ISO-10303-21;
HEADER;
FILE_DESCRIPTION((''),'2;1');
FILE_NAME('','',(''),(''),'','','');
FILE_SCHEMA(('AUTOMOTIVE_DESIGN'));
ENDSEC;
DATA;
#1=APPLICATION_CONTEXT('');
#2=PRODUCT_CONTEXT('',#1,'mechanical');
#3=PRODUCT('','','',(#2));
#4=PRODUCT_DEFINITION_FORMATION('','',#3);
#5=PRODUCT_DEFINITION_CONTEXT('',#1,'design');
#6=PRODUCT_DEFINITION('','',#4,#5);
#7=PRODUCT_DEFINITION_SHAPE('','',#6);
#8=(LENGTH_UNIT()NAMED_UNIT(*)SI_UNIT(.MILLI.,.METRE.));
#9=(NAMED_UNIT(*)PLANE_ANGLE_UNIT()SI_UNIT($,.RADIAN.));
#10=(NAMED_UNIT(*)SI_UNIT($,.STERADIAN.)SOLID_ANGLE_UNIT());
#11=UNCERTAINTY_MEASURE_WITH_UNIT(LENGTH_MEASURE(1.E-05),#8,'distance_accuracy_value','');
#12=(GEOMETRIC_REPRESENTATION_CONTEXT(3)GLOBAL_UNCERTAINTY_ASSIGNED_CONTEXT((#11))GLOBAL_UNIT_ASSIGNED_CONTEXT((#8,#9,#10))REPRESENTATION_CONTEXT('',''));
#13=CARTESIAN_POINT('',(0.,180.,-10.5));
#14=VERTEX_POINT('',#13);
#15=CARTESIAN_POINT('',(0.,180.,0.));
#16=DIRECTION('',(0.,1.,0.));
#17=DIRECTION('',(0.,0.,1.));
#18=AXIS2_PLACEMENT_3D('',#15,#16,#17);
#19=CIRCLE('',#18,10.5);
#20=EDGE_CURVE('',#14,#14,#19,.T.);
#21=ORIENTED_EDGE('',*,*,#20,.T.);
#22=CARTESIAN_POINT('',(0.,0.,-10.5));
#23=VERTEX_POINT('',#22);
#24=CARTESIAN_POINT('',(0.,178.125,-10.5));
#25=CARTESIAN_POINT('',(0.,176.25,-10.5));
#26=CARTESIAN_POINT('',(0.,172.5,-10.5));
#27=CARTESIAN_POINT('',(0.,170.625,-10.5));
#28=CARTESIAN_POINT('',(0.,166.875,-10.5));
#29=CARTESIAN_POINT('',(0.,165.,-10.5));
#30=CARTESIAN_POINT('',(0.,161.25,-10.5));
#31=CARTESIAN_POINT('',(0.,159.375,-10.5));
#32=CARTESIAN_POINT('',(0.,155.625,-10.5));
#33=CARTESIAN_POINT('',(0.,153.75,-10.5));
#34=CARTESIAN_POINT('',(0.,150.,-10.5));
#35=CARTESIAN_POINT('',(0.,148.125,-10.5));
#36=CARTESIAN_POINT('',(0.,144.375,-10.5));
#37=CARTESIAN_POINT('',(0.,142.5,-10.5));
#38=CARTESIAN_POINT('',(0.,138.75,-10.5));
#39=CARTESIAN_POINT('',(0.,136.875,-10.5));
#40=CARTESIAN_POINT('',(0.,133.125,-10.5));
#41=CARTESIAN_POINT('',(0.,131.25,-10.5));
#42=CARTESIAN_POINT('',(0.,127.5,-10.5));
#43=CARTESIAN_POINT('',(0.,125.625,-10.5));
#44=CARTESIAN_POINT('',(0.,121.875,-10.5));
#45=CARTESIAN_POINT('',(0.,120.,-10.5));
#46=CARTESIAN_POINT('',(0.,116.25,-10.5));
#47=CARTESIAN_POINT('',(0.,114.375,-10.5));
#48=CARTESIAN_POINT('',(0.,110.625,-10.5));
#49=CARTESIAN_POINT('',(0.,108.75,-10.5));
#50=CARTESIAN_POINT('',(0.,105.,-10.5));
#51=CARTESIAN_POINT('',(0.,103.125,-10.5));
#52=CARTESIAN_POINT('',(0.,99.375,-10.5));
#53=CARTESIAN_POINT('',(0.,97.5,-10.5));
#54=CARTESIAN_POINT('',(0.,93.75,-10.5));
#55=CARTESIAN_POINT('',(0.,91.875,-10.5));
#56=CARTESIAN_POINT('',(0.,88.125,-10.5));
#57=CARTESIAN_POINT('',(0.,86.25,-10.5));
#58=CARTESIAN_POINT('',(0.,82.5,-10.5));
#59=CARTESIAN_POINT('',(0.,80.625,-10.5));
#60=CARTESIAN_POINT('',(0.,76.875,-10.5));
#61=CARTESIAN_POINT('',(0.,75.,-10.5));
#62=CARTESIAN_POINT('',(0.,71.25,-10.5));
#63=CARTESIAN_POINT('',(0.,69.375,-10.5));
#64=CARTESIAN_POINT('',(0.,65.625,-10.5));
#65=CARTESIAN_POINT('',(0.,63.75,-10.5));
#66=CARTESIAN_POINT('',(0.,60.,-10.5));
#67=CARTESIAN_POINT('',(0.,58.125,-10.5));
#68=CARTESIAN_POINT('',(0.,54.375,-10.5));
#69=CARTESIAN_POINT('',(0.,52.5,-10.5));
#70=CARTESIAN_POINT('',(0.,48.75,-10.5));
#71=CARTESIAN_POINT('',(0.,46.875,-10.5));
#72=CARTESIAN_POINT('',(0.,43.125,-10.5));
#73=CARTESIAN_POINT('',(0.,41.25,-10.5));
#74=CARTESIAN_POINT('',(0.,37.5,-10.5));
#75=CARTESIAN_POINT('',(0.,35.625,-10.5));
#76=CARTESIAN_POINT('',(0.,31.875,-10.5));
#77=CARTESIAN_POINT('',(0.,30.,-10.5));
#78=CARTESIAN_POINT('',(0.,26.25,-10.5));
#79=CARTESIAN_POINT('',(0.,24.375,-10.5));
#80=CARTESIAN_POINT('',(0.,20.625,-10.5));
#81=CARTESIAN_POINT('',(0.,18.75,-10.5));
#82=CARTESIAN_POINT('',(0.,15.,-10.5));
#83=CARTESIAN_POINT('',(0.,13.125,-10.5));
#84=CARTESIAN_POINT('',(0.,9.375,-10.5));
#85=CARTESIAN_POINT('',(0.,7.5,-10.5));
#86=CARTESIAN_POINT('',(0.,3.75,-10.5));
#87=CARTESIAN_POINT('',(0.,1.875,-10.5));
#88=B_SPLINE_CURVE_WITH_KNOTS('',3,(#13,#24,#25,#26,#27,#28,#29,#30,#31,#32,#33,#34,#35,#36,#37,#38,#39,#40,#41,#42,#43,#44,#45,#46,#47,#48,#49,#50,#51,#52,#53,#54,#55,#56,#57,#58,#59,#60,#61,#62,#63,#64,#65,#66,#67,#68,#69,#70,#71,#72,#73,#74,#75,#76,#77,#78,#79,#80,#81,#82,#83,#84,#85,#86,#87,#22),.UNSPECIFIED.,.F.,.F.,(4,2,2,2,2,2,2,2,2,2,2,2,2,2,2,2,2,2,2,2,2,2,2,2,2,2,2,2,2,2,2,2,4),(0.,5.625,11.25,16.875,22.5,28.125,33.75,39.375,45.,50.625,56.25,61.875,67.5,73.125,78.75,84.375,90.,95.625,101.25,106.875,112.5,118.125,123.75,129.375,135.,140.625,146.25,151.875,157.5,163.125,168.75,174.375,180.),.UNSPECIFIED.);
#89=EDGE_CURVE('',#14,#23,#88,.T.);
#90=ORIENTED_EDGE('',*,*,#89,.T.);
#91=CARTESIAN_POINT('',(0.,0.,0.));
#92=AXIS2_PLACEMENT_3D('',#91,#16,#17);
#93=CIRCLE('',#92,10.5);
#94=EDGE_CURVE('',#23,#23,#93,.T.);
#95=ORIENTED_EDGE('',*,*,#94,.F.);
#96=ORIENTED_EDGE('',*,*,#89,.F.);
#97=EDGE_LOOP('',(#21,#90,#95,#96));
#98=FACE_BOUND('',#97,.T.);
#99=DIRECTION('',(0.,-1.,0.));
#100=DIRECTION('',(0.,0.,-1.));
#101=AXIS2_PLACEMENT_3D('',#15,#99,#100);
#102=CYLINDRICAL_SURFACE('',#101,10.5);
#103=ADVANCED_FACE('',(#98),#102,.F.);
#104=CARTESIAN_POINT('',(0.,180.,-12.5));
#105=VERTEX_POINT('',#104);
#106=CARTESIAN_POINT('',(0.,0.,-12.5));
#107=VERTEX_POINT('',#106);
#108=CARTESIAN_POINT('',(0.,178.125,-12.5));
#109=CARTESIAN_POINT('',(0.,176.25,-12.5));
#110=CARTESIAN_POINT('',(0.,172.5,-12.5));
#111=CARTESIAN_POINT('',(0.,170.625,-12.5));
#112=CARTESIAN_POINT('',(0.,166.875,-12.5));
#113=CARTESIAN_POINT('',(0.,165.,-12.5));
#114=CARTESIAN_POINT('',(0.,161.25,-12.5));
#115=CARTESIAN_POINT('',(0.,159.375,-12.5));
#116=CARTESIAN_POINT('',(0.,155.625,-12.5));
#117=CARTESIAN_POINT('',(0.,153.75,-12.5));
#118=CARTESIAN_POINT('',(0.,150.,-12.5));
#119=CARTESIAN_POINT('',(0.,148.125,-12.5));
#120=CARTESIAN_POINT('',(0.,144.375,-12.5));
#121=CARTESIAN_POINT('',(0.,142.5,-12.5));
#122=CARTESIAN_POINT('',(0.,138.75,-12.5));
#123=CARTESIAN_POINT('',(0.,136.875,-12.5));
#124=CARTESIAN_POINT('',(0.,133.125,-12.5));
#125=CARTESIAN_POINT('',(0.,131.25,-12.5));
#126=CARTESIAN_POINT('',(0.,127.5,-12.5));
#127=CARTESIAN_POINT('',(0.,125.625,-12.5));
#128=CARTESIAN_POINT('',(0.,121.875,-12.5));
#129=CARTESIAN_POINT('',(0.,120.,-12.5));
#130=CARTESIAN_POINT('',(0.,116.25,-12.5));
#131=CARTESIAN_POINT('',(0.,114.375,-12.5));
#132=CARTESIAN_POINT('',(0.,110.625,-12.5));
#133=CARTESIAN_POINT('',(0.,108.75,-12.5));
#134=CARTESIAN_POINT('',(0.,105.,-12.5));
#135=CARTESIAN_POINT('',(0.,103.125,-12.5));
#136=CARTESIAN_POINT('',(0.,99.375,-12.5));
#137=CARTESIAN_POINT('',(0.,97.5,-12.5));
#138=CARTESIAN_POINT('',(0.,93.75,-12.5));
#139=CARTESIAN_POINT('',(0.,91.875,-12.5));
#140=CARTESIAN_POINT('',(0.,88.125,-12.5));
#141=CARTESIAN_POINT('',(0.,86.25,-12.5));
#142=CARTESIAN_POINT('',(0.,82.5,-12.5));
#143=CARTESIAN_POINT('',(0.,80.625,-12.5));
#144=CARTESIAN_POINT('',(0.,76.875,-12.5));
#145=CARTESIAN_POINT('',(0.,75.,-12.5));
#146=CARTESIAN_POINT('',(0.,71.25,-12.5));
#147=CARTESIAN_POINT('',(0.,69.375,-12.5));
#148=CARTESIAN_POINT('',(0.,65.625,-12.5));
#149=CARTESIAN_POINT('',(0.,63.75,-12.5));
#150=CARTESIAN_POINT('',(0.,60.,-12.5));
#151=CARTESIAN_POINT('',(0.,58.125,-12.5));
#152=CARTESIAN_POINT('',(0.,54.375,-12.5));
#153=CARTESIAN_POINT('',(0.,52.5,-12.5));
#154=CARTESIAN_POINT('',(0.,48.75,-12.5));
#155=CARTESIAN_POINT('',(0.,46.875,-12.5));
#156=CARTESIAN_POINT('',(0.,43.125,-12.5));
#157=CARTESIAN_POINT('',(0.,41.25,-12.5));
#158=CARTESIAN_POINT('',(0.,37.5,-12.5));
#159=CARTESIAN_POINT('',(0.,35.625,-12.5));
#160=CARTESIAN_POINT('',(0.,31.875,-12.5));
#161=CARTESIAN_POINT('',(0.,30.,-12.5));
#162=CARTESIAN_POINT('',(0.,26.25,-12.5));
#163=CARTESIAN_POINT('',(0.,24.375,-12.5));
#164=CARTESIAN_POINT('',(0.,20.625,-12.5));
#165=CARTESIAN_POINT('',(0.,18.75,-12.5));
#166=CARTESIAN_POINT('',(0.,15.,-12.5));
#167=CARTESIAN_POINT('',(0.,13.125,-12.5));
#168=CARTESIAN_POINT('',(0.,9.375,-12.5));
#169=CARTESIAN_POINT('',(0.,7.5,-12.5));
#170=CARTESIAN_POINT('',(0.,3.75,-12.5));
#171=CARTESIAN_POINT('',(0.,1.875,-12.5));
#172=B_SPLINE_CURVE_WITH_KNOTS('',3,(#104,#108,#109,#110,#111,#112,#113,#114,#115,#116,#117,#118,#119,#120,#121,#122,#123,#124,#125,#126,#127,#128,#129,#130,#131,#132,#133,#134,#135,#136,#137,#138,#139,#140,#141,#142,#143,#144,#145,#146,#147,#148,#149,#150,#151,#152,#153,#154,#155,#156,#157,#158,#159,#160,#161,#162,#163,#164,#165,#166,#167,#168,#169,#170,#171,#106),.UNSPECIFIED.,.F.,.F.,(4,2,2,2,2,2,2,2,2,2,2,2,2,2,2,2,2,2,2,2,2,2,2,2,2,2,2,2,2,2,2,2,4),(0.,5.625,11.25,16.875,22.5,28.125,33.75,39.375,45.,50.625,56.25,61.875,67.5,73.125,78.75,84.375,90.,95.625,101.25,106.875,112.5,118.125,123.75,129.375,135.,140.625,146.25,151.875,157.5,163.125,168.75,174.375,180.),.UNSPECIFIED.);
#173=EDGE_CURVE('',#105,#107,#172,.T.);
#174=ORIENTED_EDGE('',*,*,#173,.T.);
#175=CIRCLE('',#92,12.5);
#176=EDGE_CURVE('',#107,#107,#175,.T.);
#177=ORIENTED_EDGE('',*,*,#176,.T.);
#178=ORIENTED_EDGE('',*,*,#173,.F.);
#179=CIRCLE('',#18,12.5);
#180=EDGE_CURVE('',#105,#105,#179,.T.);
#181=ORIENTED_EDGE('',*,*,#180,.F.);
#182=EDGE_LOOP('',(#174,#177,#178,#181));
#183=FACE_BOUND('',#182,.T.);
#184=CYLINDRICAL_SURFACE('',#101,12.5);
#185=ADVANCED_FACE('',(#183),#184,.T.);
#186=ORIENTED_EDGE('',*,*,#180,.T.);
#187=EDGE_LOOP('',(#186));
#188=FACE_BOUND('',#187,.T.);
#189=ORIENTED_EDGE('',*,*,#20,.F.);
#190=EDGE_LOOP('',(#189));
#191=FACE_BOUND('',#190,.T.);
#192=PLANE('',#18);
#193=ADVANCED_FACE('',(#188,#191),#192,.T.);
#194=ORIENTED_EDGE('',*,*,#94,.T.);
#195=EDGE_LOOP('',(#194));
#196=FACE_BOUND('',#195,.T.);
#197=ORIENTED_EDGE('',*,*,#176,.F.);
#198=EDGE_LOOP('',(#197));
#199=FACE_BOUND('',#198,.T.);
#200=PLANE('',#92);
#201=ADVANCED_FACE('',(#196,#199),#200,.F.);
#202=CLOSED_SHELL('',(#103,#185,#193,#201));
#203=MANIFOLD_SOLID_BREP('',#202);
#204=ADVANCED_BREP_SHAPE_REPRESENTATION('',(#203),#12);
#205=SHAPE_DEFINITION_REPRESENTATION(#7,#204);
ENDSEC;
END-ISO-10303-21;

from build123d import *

# Parameters (mm, degrees)
SKETCH_1_R      = 12.5
SKETCH_1_R_2    = 10.5
EXTRUDE_1_DEPTH = 180


with BuildPart() as part:
    # 草图1 → 凸台-拉伸1 (new body)
    with BuildSketch(Plane(origin=(0, 0, 0), x_dir=(1, 0, 0), z_dir=(0, 1, 0))):
        with Locations(Location((0, 0, 0), (0, 0, 90))):
            Circle(SKETCH_1_R)
        with Locations(Location((0, 0, 0), (0, 0, 90))):
            Circle(SKETCH_1_R_2, mode=Mode.SUBTRACT)
    extrude(amount=EXTRUDE_1_DEPTH)


solid = part.part
